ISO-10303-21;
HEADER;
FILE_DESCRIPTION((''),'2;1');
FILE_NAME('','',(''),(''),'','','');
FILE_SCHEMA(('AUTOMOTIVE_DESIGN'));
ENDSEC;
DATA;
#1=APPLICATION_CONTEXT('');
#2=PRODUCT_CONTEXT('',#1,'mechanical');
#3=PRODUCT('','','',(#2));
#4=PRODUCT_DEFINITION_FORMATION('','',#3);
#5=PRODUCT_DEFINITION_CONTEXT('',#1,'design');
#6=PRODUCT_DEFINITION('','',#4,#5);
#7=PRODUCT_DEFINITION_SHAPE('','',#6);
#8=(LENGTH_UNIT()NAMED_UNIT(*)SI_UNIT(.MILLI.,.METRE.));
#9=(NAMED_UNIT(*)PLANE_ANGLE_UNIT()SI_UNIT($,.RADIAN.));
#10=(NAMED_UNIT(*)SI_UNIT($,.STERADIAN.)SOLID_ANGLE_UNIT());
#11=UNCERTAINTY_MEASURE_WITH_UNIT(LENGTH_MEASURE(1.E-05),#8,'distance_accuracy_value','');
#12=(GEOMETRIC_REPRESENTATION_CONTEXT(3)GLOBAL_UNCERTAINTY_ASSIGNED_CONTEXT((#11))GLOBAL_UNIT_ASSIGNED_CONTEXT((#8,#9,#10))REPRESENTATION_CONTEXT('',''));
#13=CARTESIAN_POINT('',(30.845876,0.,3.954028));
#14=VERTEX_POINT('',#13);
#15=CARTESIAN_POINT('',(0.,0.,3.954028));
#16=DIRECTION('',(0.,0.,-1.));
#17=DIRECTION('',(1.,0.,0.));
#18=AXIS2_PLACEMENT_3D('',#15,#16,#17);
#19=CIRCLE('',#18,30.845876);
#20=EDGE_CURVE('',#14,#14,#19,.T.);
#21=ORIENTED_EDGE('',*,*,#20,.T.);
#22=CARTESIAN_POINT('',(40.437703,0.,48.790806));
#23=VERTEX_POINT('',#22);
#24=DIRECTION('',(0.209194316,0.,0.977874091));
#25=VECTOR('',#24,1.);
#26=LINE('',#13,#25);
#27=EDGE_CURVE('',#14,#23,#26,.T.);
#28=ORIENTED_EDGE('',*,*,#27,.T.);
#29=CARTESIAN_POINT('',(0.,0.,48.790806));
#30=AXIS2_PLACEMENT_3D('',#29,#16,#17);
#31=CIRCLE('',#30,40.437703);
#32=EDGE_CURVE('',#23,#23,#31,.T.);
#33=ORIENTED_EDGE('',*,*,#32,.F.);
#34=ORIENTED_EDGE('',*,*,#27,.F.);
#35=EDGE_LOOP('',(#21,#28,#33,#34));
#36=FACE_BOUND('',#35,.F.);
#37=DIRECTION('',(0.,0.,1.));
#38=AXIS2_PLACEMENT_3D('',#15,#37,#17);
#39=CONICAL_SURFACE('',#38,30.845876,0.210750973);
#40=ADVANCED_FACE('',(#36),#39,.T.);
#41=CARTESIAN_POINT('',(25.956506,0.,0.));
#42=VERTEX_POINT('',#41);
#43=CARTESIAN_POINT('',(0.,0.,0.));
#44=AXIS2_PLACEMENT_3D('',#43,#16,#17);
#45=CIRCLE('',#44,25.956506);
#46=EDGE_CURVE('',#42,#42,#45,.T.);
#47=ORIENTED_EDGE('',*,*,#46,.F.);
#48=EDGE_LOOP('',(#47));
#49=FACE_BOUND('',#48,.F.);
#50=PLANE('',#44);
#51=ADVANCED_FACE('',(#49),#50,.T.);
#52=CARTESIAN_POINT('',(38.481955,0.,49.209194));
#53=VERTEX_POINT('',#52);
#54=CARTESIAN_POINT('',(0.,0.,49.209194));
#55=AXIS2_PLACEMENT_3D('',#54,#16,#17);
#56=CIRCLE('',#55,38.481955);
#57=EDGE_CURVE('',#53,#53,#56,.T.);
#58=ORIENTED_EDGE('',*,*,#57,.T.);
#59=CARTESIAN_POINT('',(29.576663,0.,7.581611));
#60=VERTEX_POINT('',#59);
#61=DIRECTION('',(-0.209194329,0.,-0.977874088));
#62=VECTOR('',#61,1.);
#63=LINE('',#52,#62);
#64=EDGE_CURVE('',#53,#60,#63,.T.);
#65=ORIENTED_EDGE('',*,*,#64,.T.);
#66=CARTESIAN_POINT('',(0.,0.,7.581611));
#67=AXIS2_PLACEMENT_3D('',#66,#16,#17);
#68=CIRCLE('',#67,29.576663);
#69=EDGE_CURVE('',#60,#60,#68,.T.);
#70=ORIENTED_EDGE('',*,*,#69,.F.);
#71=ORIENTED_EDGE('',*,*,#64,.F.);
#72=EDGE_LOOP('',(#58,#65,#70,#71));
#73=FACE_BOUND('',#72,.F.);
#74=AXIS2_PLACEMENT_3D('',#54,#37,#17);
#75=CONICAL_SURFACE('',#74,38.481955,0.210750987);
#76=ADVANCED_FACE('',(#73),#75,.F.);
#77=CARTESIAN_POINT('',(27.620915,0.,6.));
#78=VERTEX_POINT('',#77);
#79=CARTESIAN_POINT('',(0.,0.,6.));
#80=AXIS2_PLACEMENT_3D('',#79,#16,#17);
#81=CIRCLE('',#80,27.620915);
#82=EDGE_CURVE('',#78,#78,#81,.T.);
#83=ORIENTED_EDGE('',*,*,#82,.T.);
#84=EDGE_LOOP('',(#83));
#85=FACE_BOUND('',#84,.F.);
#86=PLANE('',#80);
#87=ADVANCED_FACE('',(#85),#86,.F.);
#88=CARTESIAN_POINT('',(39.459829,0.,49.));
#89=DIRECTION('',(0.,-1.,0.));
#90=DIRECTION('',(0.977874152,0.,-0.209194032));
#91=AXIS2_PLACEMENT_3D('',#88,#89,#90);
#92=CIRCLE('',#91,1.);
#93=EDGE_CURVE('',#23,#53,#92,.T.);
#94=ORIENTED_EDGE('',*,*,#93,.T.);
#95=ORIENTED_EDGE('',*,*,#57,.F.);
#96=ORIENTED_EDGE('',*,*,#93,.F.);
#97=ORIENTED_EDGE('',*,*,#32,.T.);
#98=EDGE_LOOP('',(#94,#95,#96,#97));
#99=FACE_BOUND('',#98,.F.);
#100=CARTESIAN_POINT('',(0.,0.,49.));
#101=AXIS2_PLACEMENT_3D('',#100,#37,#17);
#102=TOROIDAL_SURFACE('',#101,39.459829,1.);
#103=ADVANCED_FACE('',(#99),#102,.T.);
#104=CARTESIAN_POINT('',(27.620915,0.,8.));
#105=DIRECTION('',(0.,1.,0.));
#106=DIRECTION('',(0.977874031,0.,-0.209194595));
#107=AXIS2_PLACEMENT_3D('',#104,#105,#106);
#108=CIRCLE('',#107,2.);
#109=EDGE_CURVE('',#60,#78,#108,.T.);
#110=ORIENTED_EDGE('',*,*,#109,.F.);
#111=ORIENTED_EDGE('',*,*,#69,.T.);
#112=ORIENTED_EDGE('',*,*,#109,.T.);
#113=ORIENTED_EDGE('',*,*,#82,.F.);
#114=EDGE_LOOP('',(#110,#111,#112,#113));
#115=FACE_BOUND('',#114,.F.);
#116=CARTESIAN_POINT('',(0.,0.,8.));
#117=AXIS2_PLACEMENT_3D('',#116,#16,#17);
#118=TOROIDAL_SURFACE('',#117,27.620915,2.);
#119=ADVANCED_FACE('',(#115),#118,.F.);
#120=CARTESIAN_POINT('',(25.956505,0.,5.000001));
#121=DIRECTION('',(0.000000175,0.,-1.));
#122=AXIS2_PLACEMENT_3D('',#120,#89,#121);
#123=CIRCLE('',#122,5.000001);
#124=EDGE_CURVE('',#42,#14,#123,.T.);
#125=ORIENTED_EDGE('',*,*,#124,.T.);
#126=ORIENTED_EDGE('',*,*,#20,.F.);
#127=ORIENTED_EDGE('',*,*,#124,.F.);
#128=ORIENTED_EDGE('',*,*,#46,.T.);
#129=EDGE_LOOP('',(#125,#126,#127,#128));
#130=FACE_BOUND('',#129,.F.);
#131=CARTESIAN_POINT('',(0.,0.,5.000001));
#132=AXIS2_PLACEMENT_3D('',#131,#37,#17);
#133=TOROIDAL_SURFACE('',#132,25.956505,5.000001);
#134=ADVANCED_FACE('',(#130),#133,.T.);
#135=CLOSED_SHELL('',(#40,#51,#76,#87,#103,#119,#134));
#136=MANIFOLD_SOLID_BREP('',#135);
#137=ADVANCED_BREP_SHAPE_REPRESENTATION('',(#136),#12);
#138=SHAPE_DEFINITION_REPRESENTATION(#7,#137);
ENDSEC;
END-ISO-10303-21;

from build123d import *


with BuildPart() as f1:
    # F0 (on Front) → F1 (revolve)
    with BuildSketch(Plane.XZ):
        with BuildLine():
            Line((0, 6), (0, 0))
            Line((0, 0), (25.956506, 0))
            ThreePointArc((25.956506, 0), (29.100559, 1.112208), (30.845876, 3.954028))
            Line((30.845876, 3.954028), (40.437703, 48.790806))
            ThreePointArc((40.437703, 48.790806), (39.669023, 49.977874), (38.481955, 49.209194))
            Line((38.481955, 49.209194), (29.576663, 7.581611))
            ThreePointArc((29.576663, 7.581611), (28.878536, 6.444883), (27.620915, 6))
            Line((27.620915, 6), (0, 6))
        make_face()
    revolve(axis=Axis((0, 0, 3), (0, 0, -1)))


solid = f1.part
